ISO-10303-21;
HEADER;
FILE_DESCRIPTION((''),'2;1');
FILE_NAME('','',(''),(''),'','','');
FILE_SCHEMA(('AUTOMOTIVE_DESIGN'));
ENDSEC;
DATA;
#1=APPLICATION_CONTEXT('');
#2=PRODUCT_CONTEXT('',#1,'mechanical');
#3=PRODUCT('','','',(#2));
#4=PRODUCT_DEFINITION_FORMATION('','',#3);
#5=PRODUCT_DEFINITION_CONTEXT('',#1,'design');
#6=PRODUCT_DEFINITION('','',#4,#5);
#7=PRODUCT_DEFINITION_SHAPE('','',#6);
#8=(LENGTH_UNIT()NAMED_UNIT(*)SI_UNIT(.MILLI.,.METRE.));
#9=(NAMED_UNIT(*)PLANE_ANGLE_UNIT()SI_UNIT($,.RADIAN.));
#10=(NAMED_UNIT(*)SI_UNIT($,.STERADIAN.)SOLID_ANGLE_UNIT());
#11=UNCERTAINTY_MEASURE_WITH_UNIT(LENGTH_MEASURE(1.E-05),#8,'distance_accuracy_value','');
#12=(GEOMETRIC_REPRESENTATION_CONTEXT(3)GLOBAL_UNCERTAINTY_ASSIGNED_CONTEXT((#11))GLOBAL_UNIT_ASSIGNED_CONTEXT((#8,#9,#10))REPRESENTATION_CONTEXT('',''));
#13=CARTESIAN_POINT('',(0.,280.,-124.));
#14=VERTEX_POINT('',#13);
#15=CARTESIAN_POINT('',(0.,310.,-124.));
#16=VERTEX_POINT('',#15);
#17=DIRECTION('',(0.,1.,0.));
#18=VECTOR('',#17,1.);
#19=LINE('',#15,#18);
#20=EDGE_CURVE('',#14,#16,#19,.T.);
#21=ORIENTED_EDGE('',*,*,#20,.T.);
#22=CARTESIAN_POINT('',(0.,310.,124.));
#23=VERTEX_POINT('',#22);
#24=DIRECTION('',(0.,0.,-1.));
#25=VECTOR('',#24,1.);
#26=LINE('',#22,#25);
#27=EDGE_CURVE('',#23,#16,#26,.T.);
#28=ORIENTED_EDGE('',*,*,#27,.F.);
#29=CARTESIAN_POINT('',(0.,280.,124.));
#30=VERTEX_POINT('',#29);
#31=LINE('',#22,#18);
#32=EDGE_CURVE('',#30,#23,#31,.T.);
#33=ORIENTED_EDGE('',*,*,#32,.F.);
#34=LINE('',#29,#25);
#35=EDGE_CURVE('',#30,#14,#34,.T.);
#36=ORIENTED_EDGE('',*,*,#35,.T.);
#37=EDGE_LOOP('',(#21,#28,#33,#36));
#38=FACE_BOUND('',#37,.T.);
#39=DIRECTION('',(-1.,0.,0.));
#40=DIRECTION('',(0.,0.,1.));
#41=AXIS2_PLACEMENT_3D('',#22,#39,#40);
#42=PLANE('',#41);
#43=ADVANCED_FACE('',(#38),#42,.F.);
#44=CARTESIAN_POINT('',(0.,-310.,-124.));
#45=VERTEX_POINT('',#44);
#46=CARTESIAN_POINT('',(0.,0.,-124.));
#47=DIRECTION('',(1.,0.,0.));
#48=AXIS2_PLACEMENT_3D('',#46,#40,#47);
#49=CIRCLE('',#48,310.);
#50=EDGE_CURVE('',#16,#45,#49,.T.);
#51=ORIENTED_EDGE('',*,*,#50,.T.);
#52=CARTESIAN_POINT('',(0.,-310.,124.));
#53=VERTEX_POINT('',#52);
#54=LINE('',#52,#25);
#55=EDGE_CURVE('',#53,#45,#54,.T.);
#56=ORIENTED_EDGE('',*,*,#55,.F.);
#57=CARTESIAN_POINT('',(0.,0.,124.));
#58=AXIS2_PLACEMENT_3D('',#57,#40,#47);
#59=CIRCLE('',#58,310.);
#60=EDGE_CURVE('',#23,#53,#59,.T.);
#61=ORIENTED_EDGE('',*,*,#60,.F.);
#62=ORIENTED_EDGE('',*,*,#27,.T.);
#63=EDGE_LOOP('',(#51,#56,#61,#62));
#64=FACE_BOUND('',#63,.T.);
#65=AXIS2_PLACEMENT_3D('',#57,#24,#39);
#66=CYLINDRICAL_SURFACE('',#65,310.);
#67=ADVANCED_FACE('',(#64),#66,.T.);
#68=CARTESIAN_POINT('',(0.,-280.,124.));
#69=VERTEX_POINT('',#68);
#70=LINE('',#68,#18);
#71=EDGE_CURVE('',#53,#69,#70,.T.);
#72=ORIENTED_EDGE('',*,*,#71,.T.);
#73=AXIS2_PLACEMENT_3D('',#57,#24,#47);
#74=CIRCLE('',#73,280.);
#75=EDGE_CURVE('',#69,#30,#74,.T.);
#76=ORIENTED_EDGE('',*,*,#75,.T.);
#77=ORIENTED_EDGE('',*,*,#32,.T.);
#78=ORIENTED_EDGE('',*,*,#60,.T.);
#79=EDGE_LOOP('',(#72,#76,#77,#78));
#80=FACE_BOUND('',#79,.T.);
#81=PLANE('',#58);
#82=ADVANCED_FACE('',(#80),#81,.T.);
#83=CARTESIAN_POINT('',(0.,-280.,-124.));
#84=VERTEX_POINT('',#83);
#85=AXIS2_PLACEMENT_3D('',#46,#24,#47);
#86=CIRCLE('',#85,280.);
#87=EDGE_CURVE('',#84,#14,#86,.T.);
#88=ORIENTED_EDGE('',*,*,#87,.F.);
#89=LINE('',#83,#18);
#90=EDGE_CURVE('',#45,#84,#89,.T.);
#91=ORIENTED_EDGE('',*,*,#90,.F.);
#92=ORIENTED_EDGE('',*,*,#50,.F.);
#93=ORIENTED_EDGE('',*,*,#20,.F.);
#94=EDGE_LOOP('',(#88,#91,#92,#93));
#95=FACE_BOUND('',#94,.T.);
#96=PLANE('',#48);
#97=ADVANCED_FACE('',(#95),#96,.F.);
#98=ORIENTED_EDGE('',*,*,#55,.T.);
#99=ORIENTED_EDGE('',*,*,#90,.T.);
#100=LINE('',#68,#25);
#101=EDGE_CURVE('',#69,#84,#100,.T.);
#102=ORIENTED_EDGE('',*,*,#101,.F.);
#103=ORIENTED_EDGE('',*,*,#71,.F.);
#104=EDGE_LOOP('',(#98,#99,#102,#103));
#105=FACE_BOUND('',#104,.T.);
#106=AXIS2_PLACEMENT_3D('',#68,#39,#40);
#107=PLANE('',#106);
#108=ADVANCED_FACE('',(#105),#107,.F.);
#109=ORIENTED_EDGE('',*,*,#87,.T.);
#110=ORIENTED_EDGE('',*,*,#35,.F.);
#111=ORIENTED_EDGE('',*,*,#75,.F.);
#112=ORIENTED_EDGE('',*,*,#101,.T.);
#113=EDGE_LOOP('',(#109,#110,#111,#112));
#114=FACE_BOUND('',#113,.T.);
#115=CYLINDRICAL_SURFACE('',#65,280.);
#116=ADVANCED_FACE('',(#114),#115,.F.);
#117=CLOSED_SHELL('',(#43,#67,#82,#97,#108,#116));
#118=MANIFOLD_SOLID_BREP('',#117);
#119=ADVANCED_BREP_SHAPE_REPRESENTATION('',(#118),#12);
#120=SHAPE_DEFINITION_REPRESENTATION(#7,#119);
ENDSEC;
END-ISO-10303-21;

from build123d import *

# Parameters (mm, degrees)
BOSS_EXTRUDE1_DEPTH      = 124
BOSS_EXTRUDE1_DEPTH_BACK = 124


with BuildPart() as part:
    # Sketch2 → Boss-Extrude1 (new, two sides: drawn at the far end of the back side and taken through both)
    with BuildSketch(Plane.XY.offset(-BOSS_EXTRUDE1_DEPTH_BACK)):
        with BuildLine():
            Line((0, 310), (0, 280))
            ThreePointArc((0, 280), (-280, 0), (0, -280))
            Line((0, -280), (0, -310))
            ThreePointArc((0, -310), (-310, 0), (0, 310))
        make_face()
    extrude(amount=BOSS_EXTRUDE1_DEPTH + BOSS_EXTRUDE1_DEPTH_BACK)


solid = part.part
